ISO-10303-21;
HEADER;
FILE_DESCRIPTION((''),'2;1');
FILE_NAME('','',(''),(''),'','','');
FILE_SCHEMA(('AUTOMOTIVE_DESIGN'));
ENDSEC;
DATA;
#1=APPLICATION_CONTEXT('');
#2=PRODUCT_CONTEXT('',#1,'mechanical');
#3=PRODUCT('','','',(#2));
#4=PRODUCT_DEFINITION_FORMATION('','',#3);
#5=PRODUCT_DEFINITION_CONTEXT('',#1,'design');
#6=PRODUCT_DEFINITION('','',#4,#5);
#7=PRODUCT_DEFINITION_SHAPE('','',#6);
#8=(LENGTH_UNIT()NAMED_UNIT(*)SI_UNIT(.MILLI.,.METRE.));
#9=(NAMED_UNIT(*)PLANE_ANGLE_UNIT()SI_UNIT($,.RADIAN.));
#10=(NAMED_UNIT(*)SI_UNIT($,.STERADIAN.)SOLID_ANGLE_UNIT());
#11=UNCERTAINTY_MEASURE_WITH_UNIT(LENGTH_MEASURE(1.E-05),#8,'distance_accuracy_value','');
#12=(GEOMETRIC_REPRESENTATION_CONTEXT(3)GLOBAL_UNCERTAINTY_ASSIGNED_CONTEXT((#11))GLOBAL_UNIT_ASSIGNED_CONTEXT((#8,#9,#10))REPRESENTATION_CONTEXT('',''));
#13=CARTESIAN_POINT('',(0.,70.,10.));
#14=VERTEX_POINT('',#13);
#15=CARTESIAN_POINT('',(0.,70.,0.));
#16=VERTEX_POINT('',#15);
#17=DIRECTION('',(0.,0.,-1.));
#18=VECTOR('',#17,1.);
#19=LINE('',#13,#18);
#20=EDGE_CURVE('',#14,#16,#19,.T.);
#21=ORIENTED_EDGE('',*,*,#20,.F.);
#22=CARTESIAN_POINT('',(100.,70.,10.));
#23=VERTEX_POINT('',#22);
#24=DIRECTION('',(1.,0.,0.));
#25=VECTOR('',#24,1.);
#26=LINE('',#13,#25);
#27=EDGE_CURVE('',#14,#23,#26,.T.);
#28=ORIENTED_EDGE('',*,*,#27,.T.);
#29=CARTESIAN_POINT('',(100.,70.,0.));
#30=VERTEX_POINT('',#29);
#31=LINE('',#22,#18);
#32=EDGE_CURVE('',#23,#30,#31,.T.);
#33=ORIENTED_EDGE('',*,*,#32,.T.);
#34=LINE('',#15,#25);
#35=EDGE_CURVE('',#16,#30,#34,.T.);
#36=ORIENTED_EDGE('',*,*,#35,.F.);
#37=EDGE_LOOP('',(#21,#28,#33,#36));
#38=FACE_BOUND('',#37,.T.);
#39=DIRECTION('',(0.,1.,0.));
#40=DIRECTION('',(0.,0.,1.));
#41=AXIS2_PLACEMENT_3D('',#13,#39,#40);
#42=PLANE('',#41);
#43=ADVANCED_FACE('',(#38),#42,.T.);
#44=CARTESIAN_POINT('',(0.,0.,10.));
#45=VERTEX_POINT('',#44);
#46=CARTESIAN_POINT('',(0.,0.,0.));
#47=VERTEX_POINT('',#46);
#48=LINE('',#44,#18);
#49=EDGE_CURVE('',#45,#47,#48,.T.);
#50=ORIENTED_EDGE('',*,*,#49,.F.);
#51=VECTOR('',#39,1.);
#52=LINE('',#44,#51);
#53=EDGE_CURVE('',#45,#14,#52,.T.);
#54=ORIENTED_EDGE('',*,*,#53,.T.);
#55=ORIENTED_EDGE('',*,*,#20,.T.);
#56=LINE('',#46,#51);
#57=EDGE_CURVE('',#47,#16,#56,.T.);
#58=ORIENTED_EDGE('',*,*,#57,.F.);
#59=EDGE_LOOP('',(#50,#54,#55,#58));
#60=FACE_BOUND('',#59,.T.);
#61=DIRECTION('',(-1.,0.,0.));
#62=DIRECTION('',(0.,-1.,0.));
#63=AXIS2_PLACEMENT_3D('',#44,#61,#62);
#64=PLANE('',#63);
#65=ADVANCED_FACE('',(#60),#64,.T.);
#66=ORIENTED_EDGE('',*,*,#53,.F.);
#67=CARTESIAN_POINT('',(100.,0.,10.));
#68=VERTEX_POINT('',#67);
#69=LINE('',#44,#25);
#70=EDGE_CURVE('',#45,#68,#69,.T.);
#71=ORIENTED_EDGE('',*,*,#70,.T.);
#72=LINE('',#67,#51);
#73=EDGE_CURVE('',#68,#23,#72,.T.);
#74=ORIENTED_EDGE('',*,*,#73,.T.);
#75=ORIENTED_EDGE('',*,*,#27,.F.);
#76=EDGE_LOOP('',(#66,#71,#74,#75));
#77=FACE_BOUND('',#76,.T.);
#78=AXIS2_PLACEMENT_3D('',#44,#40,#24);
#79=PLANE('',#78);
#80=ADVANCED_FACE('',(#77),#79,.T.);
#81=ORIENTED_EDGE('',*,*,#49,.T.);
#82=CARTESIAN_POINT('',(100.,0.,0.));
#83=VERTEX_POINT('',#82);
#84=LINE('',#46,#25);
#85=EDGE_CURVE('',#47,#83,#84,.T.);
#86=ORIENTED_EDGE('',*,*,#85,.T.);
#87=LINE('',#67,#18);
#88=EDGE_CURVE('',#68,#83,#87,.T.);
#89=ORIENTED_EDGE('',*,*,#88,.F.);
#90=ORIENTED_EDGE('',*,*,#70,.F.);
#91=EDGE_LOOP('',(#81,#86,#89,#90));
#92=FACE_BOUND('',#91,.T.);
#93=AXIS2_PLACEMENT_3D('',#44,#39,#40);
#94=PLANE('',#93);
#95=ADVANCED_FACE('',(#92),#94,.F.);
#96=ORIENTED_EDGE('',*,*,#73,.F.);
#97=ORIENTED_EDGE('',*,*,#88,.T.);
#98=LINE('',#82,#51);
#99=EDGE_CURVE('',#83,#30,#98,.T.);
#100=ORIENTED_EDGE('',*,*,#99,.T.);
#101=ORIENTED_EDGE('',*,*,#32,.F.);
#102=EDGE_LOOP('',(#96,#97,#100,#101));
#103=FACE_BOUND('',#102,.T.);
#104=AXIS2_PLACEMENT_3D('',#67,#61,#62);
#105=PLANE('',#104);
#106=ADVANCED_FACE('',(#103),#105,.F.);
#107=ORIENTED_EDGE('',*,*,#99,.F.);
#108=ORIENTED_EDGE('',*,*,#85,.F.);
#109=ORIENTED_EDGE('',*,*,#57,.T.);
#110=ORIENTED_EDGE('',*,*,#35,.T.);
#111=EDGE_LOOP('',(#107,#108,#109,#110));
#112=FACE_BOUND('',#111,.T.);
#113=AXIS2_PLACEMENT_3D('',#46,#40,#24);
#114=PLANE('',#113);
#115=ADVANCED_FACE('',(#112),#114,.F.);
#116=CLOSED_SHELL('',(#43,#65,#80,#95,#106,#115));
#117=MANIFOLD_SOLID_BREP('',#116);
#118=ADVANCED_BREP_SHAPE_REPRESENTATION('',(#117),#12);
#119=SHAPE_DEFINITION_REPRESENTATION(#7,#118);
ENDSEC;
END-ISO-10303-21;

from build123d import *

# Parameters (mm, degrees)
SKETCH1_W           = 100
SKETCH1_H           = 70
BOSS_EXTRUDE1_DEPTH = 10


with BuildPart() as part:
    # Sketch1 → Boss-Extrude1 (new body)
    with BuildSketch(Plane.XY):
        with Locations((50, 35)):
            Rectangle(SKETCH1_W, SKETCH1_H)
    extrude(amount=BOSS_EXTRUDE1_DEPTH)


solid = part.part
